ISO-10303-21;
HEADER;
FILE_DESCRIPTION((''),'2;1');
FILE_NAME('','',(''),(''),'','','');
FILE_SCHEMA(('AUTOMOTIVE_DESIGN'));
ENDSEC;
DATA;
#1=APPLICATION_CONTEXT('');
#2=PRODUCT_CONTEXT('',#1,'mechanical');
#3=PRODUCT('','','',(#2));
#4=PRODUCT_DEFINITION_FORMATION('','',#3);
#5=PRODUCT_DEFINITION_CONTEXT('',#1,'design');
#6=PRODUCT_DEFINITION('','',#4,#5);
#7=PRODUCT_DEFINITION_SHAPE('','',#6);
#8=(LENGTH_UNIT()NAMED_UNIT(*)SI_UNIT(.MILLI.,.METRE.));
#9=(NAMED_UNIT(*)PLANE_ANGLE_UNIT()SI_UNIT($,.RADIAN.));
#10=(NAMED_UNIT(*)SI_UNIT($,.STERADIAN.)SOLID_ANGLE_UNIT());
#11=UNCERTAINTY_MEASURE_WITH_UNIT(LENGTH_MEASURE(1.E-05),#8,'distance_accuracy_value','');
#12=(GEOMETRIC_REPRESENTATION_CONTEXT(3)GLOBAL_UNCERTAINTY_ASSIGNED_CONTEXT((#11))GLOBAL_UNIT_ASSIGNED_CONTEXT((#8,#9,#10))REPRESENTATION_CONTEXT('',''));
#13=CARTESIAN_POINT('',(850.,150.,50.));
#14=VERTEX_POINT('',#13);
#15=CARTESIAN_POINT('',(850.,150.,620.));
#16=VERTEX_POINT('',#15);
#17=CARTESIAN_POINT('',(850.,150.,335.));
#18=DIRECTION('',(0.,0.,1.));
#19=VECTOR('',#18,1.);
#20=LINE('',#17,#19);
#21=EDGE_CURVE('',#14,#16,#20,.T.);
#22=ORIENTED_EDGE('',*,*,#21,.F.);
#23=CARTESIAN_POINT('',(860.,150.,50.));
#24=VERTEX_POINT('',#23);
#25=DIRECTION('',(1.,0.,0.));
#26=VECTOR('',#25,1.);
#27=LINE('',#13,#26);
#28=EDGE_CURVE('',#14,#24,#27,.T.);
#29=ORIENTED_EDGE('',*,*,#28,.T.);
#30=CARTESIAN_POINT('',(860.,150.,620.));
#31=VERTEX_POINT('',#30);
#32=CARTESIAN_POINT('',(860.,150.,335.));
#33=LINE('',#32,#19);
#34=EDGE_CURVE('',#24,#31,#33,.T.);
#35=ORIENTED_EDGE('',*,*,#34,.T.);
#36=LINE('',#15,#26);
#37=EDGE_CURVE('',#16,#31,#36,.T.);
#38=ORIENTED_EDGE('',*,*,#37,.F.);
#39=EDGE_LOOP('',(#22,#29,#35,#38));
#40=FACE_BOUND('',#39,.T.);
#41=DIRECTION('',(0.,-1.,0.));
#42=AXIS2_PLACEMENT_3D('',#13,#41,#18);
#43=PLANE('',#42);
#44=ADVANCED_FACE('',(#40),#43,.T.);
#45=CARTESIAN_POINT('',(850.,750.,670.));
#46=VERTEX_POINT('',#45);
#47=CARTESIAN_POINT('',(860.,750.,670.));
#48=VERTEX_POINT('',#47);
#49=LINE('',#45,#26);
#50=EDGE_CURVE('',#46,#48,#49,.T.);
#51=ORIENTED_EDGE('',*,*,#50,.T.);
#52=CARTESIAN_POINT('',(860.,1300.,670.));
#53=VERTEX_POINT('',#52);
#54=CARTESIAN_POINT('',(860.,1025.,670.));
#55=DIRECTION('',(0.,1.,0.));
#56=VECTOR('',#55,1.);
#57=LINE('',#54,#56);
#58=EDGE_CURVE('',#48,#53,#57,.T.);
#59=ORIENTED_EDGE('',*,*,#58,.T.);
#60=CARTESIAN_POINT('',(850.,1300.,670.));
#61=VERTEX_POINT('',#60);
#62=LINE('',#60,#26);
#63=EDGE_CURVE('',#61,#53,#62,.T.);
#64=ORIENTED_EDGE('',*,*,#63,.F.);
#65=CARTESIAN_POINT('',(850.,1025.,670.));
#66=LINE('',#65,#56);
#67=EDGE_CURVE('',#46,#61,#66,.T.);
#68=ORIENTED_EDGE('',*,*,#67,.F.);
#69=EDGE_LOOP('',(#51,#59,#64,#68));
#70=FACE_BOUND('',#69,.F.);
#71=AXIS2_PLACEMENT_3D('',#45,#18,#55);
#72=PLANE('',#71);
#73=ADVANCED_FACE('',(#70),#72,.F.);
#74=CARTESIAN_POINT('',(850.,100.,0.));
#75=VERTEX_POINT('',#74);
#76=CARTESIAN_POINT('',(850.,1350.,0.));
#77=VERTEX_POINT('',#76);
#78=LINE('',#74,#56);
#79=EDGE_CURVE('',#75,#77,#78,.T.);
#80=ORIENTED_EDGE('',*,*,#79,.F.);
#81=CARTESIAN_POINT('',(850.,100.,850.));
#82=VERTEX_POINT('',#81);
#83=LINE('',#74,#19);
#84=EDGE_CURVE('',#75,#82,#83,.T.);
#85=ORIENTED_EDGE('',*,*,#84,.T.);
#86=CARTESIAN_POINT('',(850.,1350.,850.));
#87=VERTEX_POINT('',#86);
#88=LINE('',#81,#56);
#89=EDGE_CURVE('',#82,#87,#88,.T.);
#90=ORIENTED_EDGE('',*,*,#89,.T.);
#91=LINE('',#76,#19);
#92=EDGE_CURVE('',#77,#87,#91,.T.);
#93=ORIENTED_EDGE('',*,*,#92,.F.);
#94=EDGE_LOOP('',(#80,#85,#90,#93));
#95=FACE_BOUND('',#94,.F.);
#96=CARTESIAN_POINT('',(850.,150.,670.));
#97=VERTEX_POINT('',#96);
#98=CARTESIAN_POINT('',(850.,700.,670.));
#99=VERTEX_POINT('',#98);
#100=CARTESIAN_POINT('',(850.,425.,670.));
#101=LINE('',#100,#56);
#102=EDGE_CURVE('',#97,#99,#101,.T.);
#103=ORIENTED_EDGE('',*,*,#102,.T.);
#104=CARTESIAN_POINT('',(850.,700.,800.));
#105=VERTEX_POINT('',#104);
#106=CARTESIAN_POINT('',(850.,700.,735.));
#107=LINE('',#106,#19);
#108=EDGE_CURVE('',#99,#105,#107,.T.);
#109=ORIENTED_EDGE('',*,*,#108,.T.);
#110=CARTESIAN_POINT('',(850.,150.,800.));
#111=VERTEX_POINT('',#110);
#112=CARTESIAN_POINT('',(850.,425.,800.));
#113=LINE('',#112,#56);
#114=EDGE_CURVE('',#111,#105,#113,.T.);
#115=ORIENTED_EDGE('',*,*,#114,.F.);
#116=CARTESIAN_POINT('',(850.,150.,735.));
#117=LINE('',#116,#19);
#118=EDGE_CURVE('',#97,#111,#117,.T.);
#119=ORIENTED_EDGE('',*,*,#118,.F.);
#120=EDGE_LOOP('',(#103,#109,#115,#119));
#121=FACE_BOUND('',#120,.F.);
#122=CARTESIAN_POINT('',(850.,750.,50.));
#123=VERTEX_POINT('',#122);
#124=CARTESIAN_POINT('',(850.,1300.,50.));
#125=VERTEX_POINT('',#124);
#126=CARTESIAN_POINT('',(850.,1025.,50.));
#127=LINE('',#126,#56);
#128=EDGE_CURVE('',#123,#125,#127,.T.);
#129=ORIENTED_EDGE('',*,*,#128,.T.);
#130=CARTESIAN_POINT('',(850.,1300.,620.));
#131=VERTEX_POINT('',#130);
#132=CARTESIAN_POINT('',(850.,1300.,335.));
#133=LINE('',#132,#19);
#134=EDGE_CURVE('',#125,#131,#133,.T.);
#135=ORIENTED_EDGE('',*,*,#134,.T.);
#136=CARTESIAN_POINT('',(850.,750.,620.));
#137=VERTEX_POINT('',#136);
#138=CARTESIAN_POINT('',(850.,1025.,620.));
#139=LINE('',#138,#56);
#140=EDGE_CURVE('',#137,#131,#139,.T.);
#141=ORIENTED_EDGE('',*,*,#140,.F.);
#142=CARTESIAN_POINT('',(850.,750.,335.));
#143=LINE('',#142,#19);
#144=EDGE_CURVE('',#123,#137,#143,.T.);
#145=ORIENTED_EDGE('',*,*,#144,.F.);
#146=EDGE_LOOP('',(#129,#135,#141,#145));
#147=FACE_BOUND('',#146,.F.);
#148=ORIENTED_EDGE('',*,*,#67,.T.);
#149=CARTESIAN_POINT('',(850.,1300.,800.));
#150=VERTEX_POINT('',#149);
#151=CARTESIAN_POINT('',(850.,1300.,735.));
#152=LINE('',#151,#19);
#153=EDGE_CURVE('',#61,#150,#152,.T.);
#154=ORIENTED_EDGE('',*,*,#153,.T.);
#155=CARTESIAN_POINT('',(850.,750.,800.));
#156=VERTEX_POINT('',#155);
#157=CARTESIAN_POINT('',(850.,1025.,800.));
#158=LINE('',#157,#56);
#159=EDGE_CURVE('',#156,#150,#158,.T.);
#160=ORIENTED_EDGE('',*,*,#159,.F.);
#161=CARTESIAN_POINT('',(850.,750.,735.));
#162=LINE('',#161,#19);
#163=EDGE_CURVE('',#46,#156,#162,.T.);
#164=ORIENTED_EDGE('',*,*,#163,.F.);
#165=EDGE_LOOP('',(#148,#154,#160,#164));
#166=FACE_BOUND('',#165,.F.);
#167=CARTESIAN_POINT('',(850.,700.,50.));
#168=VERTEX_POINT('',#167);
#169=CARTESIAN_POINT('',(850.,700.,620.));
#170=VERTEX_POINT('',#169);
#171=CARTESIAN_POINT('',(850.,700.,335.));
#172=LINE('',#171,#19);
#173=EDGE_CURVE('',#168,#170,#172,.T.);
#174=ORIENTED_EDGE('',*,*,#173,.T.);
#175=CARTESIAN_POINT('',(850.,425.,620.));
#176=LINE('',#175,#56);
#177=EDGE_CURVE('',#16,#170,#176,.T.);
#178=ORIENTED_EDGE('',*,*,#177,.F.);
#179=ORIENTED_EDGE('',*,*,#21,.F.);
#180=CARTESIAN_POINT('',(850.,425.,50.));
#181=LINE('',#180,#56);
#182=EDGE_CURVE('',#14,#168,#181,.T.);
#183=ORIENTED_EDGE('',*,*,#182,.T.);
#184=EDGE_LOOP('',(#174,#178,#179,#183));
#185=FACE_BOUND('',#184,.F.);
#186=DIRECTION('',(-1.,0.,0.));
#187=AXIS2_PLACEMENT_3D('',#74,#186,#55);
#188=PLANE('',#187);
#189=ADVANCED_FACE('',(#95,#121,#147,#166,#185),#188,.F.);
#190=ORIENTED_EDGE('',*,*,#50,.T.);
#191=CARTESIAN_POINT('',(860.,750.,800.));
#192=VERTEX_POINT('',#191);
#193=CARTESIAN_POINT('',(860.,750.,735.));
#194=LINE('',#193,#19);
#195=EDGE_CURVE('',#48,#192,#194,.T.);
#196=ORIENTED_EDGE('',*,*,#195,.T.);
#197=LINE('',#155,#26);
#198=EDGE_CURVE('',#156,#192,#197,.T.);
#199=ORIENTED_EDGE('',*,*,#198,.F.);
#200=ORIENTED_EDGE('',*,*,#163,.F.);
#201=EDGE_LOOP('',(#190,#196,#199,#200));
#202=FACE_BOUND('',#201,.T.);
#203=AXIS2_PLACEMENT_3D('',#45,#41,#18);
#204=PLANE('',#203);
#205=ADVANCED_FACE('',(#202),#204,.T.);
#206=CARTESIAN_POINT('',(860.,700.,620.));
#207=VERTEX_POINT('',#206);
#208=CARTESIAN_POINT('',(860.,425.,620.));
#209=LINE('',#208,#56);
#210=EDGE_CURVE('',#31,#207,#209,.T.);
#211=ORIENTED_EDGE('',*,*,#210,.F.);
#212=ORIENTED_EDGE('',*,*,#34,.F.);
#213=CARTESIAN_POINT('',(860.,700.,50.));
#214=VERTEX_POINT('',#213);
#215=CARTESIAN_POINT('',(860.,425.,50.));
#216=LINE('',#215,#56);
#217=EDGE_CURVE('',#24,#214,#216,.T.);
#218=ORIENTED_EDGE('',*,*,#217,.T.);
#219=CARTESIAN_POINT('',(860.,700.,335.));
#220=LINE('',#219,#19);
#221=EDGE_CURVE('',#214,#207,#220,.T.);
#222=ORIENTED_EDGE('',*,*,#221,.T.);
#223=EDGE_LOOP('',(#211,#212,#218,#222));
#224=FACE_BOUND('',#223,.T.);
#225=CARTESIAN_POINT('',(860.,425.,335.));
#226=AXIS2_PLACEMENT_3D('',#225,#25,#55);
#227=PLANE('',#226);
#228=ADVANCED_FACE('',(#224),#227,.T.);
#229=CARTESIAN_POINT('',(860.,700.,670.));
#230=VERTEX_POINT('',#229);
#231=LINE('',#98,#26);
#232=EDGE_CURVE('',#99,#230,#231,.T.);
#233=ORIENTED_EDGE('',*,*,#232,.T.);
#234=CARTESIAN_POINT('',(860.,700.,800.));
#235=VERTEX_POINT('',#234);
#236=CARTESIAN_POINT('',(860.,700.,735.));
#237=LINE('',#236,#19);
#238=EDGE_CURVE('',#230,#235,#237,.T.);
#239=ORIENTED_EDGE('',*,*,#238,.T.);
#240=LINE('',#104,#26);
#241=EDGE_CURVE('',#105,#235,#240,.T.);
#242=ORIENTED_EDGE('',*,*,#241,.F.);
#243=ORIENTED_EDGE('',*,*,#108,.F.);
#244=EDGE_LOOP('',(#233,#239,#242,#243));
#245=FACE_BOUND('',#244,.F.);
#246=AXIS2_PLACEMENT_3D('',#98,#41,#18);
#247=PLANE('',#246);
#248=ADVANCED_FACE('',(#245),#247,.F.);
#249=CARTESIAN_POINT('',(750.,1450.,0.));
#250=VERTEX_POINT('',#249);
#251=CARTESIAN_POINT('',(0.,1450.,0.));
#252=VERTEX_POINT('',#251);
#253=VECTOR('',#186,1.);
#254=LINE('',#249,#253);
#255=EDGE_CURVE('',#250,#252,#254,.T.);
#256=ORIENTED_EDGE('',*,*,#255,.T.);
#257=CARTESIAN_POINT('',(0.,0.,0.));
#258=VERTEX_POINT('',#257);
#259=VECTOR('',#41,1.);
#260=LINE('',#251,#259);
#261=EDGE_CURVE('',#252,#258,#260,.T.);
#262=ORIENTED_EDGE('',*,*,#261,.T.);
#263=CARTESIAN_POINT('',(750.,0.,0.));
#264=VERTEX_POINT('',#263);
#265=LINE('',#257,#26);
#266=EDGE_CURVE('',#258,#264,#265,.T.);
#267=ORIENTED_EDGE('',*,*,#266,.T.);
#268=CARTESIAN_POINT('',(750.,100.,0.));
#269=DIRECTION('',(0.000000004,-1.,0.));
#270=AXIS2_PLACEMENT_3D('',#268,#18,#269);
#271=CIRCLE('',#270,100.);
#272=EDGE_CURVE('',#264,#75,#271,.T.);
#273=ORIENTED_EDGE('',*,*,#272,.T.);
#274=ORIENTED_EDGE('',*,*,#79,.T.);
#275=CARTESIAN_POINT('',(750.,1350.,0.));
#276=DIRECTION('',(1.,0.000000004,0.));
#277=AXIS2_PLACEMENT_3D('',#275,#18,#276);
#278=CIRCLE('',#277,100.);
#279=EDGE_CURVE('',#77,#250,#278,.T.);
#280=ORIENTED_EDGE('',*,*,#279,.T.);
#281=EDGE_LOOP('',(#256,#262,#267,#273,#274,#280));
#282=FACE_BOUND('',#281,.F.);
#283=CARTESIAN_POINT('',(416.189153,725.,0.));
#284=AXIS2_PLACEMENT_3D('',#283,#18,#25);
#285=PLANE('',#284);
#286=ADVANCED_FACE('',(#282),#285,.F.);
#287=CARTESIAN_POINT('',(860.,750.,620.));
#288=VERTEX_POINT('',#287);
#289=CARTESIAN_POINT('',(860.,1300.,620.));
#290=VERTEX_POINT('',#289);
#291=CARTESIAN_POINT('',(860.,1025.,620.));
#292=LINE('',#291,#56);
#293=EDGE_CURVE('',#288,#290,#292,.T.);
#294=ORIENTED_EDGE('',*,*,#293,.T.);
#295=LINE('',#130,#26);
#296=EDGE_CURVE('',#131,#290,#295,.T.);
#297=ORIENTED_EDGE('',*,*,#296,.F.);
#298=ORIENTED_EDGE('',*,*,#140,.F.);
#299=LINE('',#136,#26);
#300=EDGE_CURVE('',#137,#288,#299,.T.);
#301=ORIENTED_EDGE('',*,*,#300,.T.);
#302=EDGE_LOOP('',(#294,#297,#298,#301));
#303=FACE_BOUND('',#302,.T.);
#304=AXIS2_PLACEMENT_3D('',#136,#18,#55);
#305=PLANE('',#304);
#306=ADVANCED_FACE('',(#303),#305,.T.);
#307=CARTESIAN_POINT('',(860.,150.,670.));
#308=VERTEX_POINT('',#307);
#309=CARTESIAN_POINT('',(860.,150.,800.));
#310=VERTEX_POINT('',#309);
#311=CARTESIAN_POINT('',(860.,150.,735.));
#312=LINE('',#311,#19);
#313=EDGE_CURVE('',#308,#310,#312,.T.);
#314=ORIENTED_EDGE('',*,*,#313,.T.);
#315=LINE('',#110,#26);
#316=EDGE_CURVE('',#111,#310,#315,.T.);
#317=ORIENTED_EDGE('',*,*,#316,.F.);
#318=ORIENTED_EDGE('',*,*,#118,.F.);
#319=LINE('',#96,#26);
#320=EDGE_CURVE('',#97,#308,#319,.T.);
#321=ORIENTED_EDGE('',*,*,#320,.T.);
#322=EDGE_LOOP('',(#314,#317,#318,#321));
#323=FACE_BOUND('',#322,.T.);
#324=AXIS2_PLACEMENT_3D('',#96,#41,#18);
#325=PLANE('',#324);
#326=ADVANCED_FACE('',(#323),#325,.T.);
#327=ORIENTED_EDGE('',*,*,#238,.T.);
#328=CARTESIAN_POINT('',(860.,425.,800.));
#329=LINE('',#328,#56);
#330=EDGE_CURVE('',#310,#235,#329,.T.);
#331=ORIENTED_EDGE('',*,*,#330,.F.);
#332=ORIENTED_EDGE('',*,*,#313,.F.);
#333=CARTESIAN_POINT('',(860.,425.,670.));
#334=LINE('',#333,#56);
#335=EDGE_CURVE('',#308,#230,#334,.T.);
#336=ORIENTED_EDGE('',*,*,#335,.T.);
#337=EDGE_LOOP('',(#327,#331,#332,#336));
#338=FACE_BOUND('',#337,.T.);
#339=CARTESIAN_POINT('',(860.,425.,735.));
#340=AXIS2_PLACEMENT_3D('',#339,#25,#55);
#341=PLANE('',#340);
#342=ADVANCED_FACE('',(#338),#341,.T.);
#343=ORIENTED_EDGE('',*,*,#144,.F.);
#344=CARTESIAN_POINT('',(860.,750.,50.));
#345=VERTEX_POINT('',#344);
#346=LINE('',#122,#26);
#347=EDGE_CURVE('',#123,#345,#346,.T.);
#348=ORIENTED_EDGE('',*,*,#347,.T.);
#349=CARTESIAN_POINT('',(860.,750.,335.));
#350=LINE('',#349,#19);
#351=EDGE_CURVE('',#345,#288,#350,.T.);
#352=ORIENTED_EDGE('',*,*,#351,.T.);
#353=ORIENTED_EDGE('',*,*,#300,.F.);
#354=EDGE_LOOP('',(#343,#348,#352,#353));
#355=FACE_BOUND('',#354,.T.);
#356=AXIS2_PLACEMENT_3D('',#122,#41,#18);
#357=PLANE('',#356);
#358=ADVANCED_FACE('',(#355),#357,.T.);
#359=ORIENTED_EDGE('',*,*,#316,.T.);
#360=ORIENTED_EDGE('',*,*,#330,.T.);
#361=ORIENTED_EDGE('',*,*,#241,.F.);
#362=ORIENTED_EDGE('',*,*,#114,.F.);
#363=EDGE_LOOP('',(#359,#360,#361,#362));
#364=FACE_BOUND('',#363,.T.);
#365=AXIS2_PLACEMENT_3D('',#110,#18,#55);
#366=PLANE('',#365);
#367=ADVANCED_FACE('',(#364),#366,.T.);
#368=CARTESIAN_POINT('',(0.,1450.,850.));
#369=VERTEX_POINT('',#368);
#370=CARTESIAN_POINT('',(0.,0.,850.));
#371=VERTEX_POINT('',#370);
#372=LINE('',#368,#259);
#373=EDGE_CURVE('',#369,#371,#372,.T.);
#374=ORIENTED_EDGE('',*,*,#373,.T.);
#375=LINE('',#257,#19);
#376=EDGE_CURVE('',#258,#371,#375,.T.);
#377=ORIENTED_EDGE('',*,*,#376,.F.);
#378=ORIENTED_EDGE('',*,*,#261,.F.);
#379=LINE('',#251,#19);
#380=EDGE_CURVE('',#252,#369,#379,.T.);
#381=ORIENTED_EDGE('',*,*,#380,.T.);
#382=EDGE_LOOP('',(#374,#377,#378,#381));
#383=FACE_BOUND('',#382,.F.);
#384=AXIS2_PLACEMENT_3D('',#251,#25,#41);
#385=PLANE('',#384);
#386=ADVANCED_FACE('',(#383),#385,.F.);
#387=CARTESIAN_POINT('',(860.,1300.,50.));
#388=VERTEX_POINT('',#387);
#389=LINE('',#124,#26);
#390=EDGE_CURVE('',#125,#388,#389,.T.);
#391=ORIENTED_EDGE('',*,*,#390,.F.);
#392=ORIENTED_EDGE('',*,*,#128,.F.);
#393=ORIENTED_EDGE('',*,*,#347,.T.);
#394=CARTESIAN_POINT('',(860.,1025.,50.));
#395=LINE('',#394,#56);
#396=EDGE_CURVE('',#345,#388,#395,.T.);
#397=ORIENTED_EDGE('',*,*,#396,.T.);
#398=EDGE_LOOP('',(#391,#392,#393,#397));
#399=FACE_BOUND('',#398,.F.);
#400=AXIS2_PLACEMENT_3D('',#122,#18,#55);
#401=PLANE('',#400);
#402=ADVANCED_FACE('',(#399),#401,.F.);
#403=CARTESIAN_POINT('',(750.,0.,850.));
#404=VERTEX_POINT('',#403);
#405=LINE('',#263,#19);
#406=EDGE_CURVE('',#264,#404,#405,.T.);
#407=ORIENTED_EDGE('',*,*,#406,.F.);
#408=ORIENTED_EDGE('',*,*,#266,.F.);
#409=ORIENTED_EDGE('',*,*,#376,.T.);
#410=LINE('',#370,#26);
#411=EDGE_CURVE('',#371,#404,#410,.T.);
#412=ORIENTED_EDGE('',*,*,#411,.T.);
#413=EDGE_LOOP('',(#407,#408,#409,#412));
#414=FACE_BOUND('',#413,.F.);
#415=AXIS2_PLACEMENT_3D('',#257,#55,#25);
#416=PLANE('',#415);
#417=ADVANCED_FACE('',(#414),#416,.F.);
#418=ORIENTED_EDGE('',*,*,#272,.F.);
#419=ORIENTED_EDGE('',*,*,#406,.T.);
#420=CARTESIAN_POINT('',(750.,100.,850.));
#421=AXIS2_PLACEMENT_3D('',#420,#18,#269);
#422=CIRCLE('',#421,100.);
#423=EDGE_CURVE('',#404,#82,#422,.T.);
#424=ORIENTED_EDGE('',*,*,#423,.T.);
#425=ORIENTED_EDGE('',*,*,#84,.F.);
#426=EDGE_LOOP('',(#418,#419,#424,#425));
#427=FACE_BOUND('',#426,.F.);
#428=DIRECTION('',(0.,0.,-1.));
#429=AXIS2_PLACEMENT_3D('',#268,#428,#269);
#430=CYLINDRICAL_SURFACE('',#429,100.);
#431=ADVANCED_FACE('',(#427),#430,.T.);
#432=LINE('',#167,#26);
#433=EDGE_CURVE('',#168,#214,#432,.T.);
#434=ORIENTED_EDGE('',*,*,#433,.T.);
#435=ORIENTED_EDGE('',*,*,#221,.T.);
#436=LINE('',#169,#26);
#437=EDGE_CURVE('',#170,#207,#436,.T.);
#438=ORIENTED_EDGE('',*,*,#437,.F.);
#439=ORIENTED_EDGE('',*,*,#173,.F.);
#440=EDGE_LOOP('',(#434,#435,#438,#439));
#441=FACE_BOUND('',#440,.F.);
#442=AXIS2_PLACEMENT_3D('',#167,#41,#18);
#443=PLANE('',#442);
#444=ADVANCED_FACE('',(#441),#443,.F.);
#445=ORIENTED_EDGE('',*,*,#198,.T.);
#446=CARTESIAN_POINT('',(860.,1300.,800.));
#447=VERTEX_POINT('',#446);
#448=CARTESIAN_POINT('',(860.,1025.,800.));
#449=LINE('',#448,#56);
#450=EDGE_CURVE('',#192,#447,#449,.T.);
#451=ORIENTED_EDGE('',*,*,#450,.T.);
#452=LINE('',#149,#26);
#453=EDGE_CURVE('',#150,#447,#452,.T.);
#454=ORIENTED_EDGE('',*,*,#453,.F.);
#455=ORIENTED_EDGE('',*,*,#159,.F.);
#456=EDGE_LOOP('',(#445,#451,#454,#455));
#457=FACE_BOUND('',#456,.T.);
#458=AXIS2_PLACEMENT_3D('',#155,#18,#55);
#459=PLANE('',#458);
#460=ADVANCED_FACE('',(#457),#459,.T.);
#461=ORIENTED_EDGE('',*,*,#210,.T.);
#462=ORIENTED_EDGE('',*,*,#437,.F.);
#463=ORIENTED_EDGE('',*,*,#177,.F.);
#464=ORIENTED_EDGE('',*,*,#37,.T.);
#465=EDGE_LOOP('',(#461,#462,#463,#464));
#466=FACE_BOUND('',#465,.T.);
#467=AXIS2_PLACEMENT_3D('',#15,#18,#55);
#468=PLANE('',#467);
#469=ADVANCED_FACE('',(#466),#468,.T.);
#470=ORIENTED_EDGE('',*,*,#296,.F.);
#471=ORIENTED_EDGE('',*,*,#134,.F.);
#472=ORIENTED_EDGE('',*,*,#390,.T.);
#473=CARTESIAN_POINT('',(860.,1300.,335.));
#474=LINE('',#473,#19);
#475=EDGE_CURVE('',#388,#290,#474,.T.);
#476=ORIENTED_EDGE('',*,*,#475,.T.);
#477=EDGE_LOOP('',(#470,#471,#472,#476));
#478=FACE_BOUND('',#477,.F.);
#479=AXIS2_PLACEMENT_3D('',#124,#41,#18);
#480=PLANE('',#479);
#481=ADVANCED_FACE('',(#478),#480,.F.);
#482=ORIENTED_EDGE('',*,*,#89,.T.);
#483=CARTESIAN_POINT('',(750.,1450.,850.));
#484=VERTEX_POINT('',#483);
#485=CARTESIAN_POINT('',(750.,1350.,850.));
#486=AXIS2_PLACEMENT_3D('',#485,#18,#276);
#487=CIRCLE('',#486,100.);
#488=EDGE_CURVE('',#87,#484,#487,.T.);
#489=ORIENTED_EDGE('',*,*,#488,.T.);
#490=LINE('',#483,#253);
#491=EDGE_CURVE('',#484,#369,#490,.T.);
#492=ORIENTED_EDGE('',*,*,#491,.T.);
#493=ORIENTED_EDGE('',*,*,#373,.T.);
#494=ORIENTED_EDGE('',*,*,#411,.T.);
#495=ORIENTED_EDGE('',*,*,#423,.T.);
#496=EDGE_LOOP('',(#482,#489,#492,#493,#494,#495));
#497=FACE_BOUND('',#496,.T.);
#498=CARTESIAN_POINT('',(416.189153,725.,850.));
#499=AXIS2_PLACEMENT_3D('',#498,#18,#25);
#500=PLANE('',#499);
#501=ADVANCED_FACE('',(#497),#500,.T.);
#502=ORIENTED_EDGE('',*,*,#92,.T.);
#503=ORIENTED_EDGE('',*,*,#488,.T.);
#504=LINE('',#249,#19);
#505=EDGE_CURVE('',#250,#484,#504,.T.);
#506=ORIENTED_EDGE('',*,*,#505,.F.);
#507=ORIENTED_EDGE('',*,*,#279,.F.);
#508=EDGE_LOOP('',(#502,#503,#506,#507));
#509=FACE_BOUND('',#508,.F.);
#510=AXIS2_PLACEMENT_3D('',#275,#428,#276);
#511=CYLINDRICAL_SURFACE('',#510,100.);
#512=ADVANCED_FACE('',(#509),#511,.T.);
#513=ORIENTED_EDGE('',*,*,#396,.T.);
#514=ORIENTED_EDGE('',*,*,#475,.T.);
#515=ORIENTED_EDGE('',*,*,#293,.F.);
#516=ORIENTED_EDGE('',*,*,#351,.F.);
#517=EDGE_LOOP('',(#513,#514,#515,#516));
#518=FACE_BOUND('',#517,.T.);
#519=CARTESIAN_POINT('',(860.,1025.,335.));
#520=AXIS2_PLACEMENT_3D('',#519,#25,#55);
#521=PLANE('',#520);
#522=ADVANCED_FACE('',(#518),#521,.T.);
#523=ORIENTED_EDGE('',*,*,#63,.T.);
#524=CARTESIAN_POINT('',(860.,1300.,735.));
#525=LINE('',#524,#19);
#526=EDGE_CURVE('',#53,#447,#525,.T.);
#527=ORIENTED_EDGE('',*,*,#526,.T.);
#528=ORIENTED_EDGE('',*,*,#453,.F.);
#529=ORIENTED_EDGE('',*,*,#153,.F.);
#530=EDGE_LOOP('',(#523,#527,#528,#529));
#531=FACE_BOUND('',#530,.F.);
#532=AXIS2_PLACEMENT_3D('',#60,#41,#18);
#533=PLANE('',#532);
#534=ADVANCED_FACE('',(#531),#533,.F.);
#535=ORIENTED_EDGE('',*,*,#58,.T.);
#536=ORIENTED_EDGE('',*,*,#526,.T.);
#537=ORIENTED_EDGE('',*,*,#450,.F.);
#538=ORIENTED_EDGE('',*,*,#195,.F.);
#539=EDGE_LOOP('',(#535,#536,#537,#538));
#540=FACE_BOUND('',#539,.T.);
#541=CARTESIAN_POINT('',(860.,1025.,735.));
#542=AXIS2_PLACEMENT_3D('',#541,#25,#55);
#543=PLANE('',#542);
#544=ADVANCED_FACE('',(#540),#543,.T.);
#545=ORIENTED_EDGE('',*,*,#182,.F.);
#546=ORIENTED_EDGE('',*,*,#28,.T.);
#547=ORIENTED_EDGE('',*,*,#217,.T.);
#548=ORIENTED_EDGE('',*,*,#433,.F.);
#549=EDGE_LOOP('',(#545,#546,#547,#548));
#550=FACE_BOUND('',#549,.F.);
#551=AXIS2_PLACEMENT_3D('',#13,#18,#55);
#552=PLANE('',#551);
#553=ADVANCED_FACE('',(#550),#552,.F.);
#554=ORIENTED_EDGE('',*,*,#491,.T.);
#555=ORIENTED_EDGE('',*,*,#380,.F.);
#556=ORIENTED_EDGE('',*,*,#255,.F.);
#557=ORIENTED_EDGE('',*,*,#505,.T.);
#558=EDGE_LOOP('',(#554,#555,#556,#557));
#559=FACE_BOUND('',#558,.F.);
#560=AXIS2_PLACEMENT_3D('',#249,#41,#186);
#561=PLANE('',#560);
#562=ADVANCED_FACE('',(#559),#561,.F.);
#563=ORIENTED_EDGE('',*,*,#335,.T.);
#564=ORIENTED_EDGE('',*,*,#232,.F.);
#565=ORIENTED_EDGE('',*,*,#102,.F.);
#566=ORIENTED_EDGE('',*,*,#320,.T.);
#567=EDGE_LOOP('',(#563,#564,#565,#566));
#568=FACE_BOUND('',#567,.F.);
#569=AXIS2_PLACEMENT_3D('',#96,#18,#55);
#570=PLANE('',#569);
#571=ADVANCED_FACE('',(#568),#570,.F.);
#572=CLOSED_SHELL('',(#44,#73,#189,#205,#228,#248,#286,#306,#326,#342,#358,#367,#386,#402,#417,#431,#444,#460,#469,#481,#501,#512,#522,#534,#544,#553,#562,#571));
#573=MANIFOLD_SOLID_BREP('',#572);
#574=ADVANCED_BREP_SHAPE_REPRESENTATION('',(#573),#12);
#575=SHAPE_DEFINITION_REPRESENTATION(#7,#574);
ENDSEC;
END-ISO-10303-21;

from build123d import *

# Parameters (mm, degrees)
F1_DEPTH = 850
F2_W     = 550
F2_H     = 130
F2_H_2   = 570
F3_DEPTH = 10


with BuildPart() as f1:
    # F0 (on Top) → F1 (new body)
    with BuildSketch(Plane.XY):
        with BuildLine():
            Line((0, 1450), (0, 0))
            Line((0, 0), (750, 0))
            ThreePointArc((750, 0), (820.710678, 29.289322), (850, 100))
            Line((850, 100), (850, 1350))
            ThreePointArc((850, 1350), (820.710678, 1420.710678), (750, 1450))
            Line((750, 1450), (0, 1450))
        make_face()
    extrude(amount=F1_DEPTH)

    # F2 (on face) → F3 (join)
    with BuildSketch(Plane.YZ.offset(850)):
        with Locations((425, 735)):
            Rectangle(F2_W, F2_H)
        with Locations((1025, 735)):
            Rectangle(F2_W, F2_H)
        with Locations((425, 335)):
            Rectangle(F2_W, F2_H_2)
        with Locations((1025, 335)):
            Rectangle(F2_W, F2_H_2)
    extrude(amount=F3_DEPTH)


solid = f1.part
